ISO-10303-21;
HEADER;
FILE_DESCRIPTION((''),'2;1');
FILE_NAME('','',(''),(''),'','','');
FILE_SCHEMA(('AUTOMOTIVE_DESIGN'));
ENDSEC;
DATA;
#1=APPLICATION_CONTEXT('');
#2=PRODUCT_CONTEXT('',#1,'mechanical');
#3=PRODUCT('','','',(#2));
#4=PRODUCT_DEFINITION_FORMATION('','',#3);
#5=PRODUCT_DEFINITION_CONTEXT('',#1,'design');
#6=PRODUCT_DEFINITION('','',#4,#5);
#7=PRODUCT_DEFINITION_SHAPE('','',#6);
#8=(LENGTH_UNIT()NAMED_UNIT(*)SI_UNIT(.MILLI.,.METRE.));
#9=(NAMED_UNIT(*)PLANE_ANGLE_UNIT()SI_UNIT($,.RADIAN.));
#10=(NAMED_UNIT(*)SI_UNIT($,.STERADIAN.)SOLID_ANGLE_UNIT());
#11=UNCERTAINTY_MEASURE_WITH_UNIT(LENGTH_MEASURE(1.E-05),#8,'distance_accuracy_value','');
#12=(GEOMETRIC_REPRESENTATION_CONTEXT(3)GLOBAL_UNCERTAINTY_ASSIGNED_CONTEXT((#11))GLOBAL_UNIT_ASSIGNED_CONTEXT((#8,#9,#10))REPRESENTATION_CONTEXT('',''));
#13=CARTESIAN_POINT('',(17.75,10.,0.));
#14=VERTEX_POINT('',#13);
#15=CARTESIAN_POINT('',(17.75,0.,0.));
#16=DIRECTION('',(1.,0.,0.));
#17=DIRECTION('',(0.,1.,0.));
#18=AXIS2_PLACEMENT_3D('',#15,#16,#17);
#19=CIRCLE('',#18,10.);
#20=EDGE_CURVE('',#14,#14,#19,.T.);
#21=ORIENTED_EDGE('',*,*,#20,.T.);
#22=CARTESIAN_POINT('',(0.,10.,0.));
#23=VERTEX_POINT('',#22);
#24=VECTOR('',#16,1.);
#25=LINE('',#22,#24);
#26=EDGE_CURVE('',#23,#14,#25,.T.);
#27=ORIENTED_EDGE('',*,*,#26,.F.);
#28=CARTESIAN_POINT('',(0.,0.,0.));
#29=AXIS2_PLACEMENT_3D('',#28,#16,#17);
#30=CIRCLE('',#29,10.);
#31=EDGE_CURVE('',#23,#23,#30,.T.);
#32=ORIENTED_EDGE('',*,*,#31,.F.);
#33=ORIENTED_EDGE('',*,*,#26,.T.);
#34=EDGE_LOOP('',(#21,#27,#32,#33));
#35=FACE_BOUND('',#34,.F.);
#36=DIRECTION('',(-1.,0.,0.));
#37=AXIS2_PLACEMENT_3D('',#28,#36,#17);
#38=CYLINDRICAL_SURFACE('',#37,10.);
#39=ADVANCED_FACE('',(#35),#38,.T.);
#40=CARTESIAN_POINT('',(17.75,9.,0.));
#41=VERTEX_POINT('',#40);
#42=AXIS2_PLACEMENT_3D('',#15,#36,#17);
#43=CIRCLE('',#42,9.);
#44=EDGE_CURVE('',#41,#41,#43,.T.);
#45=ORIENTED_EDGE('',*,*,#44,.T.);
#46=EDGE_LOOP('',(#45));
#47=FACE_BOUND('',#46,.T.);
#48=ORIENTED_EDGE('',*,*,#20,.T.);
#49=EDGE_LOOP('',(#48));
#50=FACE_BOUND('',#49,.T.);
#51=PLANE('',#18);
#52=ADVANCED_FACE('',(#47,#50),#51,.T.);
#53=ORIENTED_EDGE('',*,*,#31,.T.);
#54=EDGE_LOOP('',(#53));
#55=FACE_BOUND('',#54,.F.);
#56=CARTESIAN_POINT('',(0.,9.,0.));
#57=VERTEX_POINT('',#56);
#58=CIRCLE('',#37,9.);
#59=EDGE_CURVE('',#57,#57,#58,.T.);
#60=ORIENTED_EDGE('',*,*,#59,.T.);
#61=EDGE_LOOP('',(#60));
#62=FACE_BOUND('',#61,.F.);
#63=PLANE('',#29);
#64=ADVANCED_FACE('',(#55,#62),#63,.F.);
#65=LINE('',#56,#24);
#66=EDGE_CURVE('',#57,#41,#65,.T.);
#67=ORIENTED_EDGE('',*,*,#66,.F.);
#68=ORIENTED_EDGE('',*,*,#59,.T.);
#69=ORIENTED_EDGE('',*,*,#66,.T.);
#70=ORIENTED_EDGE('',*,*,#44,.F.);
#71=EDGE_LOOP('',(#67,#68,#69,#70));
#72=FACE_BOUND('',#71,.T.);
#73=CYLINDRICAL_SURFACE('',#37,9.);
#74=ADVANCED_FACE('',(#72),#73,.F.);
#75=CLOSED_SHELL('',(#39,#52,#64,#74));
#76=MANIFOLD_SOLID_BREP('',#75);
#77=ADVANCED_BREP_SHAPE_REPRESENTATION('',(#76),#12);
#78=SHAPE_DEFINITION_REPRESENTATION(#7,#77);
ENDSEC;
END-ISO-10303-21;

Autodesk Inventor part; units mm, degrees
ref_plane "YZ Plane" through (0, 0, 0) normal (1, 0, 0) x (0, 1, 0)
ref_plane "XZ Plane" through (0, 0, 0) normal (0, 1, 0) x (-1, 0, 0)
ref_plane "XY Plane" through (0, 0, 0) normal (0, 0, 1) x (1, 0, 0)
sketch "Sketch1" plane through (0, 0, 0) normal (1, 0, 0) x (0, 1, 0)
  circle A0 centre (0, 0) radius 10
  dimension "d0" = 20
extrude "Extrusion1" add sketch "Sketch1" along normal blind 17.75
shell "Shell1" thickness 1 removed faces 2 at (0, -1.182, 3.1167) at (17.75, -1.182, 3.1167)
properties part number "STRUTMOUNT  PART"
